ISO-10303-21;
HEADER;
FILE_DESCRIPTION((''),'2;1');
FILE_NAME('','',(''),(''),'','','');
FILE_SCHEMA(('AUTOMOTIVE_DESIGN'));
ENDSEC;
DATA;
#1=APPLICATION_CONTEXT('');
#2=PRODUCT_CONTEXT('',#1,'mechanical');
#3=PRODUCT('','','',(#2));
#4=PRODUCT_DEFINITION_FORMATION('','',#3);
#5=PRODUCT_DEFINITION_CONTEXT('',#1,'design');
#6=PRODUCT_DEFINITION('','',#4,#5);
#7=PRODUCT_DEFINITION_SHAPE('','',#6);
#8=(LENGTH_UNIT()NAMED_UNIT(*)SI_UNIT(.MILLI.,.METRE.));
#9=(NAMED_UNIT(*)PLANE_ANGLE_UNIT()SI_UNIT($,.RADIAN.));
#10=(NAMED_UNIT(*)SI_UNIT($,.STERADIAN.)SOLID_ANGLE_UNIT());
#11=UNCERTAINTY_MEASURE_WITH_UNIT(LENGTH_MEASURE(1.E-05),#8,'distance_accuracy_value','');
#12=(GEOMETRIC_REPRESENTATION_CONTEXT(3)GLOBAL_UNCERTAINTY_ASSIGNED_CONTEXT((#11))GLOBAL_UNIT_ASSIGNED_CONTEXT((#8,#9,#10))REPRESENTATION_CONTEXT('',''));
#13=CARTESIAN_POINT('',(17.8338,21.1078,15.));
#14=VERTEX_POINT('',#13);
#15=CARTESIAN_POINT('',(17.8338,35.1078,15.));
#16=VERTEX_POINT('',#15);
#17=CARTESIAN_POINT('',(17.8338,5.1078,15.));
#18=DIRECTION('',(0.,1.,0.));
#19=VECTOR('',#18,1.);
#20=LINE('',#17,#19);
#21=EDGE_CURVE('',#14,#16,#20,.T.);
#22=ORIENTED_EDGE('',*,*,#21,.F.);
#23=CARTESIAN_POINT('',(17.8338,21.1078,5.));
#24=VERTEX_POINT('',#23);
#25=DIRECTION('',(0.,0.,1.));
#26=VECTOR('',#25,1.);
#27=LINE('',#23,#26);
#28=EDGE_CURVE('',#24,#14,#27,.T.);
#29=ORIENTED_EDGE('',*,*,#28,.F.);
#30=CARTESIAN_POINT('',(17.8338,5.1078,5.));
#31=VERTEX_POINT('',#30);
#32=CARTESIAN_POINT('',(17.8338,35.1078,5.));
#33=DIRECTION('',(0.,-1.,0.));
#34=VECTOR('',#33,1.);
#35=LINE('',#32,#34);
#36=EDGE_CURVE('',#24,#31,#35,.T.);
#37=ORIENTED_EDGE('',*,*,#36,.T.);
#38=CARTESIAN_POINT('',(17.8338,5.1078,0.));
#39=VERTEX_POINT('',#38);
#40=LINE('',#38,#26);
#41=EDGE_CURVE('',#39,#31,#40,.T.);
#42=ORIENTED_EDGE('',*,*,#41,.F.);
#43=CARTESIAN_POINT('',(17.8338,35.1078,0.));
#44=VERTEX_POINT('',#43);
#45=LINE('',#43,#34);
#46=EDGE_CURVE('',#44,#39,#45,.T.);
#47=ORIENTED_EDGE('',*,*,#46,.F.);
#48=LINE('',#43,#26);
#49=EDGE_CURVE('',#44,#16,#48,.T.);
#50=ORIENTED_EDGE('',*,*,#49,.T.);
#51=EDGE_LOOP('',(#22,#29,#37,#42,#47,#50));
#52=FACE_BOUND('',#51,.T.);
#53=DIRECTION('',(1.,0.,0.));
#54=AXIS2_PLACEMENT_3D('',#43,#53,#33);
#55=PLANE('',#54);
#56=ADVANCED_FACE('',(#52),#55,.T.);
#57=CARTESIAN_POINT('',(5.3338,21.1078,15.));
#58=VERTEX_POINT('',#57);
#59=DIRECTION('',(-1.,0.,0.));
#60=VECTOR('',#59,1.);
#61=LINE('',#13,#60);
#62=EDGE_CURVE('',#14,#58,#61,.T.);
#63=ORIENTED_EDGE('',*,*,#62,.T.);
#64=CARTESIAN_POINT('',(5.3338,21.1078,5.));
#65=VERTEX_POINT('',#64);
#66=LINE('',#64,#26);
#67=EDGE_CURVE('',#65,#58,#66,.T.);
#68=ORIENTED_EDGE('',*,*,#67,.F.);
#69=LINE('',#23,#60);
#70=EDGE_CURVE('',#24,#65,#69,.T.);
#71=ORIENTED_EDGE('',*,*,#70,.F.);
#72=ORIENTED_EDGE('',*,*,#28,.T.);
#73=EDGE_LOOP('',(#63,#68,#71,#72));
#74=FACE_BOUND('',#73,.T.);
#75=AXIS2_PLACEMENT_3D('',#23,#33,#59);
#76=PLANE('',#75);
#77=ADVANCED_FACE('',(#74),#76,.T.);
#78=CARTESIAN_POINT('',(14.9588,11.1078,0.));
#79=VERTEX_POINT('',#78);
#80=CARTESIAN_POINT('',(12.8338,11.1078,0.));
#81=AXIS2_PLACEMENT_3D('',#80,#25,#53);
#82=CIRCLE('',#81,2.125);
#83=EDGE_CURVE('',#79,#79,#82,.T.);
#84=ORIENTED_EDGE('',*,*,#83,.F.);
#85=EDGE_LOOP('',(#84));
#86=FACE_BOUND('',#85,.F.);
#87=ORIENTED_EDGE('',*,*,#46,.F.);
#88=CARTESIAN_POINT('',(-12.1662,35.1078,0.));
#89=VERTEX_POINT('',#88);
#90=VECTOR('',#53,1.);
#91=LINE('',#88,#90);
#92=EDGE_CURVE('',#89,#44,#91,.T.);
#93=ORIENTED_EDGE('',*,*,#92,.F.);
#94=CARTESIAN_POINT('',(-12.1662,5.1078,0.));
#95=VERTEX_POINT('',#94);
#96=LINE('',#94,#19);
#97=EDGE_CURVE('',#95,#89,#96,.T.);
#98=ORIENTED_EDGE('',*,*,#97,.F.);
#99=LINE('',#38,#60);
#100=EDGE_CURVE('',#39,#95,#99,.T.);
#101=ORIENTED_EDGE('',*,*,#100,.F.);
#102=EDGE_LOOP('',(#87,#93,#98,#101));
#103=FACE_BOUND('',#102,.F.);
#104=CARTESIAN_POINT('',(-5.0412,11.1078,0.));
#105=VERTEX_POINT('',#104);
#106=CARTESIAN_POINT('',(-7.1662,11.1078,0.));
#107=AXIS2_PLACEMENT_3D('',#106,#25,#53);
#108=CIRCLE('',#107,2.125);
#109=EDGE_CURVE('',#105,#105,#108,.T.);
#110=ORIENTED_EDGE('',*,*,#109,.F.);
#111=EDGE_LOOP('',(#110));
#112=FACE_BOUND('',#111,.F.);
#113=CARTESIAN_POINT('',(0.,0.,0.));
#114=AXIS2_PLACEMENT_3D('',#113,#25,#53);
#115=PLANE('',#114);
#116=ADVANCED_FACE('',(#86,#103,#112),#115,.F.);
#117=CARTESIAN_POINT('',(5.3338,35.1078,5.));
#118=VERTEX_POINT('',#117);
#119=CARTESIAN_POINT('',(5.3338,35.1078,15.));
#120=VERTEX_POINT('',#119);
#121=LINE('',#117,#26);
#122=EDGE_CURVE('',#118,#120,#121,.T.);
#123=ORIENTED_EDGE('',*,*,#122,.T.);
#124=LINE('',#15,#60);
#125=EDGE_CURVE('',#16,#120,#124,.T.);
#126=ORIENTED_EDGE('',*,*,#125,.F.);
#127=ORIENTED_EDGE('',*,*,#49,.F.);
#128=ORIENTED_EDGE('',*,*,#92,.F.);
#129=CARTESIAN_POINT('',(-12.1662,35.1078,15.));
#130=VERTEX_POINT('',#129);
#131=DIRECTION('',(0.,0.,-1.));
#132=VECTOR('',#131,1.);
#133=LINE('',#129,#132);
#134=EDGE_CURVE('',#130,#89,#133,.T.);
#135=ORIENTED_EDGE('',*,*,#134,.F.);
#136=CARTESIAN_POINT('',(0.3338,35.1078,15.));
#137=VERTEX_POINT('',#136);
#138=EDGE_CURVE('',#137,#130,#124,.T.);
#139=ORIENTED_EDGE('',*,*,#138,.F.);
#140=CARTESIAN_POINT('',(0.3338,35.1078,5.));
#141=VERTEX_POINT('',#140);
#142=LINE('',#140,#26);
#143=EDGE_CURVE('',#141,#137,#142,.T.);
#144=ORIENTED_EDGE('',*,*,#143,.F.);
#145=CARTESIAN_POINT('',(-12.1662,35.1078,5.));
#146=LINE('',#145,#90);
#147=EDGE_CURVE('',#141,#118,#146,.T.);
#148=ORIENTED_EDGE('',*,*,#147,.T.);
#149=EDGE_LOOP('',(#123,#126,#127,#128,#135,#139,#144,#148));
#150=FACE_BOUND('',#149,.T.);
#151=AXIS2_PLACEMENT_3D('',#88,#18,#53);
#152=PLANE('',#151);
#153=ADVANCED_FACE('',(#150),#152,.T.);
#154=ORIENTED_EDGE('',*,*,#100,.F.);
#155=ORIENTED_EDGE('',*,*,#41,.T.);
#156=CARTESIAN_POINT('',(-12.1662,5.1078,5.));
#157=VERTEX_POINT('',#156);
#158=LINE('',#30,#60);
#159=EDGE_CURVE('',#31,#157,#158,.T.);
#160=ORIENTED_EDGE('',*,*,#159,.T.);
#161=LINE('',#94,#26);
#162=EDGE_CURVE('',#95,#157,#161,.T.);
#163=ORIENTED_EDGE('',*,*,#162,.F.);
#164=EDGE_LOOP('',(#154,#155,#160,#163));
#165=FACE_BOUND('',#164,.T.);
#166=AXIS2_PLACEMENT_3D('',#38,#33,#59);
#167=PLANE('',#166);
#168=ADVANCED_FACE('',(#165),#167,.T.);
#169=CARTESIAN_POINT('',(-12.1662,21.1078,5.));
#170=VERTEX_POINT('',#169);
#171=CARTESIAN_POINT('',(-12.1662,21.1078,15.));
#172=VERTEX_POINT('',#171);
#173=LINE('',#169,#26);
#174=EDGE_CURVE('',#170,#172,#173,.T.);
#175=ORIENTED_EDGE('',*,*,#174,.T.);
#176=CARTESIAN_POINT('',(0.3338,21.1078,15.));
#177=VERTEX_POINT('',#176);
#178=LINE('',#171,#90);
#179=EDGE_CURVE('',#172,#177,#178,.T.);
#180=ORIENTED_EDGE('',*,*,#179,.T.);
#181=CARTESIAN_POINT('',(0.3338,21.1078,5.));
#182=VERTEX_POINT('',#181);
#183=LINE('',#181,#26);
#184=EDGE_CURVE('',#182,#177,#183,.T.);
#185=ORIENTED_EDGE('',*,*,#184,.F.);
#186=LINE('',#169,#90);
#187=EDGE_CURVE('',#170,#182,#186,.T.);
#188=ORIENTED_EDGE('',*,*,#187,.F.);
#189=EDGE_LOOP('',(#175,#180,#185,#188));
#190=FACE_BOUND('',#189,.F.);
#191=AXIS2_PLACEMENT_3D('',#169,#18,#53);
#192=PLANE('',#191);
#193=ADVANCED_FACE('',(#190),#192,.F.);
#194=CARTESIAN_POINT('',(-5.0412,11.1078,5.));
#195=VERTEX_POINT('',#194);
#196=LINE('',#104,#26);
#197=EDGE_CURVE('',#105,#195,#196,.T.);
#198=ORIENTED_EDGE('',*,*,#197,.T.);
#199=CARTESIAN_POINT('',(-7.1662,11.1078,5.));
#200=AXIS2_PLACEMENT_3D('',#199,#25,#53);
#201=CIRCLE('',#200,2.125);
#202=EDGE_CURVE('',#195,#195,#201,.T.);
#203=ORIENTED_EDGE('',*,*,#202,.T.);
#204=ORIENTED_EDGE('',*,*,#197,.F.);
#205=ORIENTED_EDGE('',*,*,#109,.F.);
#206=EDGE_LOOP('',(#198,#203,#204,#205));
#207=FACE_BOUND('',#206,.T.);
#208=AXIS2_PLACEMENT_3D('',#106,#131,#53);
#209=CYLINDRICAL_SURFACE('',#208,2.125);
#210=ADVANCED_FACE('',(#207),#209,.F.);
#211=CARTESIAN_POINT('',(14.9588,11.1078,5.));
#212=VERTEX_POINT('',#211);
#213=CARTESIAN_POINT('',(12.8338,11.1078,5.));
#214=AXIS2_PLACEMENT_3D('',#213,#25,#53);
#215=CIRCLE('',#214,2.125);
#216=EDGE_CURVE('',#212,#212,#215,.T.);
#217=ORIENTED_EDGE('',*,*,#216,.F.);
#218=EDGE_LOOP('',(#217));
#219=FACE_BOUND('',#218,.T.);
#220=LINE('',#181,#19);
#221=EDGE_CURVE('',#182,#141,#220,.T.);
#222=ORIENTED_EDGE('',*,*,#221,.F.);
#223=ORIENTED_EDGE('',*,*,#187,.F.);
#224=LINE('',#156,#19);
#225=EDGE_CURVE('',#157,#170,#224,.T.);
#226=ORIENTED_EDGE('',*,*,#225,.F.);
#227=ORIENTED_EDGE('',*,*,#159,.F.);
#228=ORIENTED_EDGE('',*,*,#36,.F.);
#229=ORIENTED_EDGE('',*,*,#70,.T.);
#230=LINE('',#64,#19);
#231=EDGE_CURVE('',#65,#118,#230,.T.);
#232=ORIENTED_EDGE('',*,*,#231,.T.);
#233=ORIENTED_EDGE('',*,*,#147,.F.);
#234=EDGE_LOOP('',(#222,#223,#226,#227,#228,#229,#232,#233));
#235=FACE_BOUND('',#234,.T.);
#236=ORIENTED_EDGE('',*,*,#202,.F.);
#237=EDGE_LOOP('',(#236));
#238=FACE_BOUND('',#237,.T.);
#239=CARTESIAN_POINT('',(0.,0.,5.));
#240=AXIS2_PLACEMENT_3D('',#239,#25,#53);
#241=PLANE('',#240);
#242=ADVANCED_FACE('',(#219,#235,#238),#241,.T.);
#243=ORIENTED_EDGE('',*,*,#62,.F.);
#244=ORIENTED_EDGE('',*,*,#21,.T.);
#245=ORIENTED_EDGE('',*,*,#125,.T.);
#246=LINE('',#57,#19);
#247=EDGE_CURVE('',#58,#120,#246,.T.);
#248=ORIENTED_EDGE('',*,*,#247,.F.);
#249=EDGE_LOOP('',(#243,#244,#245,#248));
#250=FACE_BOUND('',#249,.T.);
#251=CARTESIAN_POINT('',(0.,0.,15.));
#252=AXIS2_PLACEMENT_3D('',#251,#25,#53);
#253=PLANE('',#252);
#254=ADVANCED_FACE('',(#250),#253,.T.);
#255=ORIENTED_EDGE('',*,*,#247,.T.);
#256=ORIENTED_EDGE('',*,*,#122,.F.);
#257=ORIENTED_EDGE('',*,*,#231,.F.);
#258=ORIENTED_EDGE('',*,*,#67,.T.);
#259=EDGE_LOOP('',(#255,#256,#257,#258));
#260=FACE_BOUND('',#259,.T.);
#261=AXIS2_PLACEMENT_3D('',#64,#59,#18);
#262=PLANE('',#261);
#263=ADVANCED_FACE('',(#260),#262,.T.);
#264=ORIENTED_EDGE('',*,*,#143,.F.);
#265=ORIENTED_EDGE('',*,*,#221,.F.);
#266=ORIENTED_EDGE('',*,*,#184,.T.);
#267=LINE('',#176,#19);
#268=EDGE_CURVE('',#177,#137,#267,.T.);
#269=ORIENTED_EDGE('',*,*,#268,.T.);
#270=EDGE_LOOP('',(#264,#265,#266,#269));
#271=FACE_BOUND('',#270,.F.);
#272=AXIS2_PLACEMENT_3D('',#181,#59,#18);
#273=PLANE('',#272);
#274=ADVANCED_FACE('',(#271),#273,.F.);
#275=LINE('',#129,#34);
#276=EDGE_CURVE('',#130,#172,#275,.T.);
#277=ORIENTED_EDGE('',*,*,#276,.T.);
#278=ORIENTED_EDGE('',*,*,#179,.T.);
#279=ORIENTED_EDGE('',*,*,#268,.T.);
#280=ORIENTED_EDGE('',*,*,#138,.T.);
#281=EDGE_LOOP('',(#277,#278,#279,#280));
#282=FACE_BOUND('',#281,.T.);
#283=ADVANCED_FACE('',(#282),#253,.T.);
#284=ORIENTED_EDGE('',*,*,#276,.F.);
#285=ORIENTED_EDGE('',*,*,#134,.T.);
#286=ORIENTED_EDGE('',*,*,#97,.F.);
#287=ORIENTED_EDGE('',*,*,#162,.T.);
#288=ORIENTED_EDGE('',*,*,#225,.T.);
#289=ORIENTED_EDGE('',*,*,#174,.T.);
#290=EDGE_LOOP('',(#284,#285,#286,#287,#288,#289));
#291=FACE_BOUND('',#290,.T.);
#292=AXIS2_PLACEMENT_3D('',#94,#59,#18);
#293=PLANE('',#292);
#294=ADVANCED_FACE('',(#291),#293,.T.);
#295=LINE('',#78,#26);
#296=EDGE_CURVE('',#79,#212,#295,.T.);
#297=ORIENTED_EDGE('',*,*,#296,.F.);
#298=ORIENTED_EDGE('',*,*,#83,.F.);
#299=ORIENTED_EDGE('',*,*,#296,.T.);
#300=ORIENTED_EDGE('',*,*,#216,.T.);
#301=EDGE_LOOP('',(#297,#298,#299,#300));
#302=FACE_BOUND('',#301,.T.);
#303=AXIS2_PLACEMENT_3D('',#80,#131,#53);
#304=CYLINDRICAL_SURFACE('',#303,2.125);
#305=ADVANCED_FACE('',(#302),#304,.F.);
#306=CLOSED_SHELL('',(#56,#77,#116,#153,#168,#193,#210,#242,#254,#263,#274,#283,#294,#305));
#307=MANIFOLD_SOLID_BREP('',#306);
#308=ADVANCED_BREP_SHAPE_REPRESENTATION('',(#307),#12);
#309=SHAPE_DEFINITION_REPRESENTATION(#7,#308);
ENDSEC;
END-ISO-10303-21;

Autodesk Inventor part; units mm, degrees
ref_plane "YZ Plane" through (0, 0, 0) normal (1, 0, 0) x (0, 1, 0)
ref_plane "XZ Plane" through (0, 0, 0) normal (0, 1, 0) x (-1, 0, 0)
ref_plane "XY Plane" through (0, 0, 0) normal (0, 0, 1) x (1, 0, 0)
sketch "Sketch1" plane through (0, 0, 0) normal (0, 0, 1) x (1, 0, 0)
  line L0 (17.8338, 5.1078) -> (-12.1662, 5.1078)
  line L1 (-12.1662, 5.1078) -> (-12.1662, 35.1078)
  line L2 (-12.1662, 35.1078) -> (17.8338, 35.1078)
  line L3 (17.8338, 35.1078) -> (17.8338, 5.1078)
  circle A0 centre (12.8338, 11.1078) radius 2.125
  circle A1 centre (-7.1662, 11.1078) radius 2.125
  line L4 (12.8338, 11.1078) -> (17.8338, 11.1078) construction
  line L5 (-7.1662, 11.1078) -> (-12.1662, 11.1078) construction
  line L6 (12.8338, 11.1078) -> (12.8338, 5.1078) construction
  dimension "d2" = 30
  dimension "d3" = 30
  dimension "d10" = 4.25
  dimension "d11" = 4.25
  dimension "d12" = 5
  dimension "d13" = 6
extrude "Extrusion1" add sketch "Sketch1" along normal blind 5
sketch "Sketch2" plane through (0, 0, 5) normal (0, 0, 1) x (1, 0, 0)
  line L0 (-12.1662, 35.1078) -> (-12.1662, 5.1078) projected
  line L1 (-12.1662, 21.1078) -> (0.3338, 21.1078)
  line L2 (0.3338, 21.1078) -> (0.3338, 35.1078)
  line L3 (17.8338, 35.1078) -> (-12.1662, 35.1078) projected
  line L4 (0.3338, 35.1078) -> (-12.1662, 35.1078)
  line L5 (-12.1662, 35.1078) -> (-12.1662, 21.1078)
  line L6 (17.8338, 5.1078) -> (17.8338, 35.1078) projected
  line L7 (17.8338, 21.1078) -> (5.3338, 21.1078)
  line L8 (5.3338, 21.1078) -> (5.3338, 35.1078)
  line L9 (17.8338, 35.1078) -> (17.8338, 21.1078)
  point P0 (0, 0)
  dimension "d6" = 5
  dimension "d7" = 14
extrude "Extrusion2" add sketch "Sketch2" along normal blind 10
properties part number "XCartBeltClamp"
